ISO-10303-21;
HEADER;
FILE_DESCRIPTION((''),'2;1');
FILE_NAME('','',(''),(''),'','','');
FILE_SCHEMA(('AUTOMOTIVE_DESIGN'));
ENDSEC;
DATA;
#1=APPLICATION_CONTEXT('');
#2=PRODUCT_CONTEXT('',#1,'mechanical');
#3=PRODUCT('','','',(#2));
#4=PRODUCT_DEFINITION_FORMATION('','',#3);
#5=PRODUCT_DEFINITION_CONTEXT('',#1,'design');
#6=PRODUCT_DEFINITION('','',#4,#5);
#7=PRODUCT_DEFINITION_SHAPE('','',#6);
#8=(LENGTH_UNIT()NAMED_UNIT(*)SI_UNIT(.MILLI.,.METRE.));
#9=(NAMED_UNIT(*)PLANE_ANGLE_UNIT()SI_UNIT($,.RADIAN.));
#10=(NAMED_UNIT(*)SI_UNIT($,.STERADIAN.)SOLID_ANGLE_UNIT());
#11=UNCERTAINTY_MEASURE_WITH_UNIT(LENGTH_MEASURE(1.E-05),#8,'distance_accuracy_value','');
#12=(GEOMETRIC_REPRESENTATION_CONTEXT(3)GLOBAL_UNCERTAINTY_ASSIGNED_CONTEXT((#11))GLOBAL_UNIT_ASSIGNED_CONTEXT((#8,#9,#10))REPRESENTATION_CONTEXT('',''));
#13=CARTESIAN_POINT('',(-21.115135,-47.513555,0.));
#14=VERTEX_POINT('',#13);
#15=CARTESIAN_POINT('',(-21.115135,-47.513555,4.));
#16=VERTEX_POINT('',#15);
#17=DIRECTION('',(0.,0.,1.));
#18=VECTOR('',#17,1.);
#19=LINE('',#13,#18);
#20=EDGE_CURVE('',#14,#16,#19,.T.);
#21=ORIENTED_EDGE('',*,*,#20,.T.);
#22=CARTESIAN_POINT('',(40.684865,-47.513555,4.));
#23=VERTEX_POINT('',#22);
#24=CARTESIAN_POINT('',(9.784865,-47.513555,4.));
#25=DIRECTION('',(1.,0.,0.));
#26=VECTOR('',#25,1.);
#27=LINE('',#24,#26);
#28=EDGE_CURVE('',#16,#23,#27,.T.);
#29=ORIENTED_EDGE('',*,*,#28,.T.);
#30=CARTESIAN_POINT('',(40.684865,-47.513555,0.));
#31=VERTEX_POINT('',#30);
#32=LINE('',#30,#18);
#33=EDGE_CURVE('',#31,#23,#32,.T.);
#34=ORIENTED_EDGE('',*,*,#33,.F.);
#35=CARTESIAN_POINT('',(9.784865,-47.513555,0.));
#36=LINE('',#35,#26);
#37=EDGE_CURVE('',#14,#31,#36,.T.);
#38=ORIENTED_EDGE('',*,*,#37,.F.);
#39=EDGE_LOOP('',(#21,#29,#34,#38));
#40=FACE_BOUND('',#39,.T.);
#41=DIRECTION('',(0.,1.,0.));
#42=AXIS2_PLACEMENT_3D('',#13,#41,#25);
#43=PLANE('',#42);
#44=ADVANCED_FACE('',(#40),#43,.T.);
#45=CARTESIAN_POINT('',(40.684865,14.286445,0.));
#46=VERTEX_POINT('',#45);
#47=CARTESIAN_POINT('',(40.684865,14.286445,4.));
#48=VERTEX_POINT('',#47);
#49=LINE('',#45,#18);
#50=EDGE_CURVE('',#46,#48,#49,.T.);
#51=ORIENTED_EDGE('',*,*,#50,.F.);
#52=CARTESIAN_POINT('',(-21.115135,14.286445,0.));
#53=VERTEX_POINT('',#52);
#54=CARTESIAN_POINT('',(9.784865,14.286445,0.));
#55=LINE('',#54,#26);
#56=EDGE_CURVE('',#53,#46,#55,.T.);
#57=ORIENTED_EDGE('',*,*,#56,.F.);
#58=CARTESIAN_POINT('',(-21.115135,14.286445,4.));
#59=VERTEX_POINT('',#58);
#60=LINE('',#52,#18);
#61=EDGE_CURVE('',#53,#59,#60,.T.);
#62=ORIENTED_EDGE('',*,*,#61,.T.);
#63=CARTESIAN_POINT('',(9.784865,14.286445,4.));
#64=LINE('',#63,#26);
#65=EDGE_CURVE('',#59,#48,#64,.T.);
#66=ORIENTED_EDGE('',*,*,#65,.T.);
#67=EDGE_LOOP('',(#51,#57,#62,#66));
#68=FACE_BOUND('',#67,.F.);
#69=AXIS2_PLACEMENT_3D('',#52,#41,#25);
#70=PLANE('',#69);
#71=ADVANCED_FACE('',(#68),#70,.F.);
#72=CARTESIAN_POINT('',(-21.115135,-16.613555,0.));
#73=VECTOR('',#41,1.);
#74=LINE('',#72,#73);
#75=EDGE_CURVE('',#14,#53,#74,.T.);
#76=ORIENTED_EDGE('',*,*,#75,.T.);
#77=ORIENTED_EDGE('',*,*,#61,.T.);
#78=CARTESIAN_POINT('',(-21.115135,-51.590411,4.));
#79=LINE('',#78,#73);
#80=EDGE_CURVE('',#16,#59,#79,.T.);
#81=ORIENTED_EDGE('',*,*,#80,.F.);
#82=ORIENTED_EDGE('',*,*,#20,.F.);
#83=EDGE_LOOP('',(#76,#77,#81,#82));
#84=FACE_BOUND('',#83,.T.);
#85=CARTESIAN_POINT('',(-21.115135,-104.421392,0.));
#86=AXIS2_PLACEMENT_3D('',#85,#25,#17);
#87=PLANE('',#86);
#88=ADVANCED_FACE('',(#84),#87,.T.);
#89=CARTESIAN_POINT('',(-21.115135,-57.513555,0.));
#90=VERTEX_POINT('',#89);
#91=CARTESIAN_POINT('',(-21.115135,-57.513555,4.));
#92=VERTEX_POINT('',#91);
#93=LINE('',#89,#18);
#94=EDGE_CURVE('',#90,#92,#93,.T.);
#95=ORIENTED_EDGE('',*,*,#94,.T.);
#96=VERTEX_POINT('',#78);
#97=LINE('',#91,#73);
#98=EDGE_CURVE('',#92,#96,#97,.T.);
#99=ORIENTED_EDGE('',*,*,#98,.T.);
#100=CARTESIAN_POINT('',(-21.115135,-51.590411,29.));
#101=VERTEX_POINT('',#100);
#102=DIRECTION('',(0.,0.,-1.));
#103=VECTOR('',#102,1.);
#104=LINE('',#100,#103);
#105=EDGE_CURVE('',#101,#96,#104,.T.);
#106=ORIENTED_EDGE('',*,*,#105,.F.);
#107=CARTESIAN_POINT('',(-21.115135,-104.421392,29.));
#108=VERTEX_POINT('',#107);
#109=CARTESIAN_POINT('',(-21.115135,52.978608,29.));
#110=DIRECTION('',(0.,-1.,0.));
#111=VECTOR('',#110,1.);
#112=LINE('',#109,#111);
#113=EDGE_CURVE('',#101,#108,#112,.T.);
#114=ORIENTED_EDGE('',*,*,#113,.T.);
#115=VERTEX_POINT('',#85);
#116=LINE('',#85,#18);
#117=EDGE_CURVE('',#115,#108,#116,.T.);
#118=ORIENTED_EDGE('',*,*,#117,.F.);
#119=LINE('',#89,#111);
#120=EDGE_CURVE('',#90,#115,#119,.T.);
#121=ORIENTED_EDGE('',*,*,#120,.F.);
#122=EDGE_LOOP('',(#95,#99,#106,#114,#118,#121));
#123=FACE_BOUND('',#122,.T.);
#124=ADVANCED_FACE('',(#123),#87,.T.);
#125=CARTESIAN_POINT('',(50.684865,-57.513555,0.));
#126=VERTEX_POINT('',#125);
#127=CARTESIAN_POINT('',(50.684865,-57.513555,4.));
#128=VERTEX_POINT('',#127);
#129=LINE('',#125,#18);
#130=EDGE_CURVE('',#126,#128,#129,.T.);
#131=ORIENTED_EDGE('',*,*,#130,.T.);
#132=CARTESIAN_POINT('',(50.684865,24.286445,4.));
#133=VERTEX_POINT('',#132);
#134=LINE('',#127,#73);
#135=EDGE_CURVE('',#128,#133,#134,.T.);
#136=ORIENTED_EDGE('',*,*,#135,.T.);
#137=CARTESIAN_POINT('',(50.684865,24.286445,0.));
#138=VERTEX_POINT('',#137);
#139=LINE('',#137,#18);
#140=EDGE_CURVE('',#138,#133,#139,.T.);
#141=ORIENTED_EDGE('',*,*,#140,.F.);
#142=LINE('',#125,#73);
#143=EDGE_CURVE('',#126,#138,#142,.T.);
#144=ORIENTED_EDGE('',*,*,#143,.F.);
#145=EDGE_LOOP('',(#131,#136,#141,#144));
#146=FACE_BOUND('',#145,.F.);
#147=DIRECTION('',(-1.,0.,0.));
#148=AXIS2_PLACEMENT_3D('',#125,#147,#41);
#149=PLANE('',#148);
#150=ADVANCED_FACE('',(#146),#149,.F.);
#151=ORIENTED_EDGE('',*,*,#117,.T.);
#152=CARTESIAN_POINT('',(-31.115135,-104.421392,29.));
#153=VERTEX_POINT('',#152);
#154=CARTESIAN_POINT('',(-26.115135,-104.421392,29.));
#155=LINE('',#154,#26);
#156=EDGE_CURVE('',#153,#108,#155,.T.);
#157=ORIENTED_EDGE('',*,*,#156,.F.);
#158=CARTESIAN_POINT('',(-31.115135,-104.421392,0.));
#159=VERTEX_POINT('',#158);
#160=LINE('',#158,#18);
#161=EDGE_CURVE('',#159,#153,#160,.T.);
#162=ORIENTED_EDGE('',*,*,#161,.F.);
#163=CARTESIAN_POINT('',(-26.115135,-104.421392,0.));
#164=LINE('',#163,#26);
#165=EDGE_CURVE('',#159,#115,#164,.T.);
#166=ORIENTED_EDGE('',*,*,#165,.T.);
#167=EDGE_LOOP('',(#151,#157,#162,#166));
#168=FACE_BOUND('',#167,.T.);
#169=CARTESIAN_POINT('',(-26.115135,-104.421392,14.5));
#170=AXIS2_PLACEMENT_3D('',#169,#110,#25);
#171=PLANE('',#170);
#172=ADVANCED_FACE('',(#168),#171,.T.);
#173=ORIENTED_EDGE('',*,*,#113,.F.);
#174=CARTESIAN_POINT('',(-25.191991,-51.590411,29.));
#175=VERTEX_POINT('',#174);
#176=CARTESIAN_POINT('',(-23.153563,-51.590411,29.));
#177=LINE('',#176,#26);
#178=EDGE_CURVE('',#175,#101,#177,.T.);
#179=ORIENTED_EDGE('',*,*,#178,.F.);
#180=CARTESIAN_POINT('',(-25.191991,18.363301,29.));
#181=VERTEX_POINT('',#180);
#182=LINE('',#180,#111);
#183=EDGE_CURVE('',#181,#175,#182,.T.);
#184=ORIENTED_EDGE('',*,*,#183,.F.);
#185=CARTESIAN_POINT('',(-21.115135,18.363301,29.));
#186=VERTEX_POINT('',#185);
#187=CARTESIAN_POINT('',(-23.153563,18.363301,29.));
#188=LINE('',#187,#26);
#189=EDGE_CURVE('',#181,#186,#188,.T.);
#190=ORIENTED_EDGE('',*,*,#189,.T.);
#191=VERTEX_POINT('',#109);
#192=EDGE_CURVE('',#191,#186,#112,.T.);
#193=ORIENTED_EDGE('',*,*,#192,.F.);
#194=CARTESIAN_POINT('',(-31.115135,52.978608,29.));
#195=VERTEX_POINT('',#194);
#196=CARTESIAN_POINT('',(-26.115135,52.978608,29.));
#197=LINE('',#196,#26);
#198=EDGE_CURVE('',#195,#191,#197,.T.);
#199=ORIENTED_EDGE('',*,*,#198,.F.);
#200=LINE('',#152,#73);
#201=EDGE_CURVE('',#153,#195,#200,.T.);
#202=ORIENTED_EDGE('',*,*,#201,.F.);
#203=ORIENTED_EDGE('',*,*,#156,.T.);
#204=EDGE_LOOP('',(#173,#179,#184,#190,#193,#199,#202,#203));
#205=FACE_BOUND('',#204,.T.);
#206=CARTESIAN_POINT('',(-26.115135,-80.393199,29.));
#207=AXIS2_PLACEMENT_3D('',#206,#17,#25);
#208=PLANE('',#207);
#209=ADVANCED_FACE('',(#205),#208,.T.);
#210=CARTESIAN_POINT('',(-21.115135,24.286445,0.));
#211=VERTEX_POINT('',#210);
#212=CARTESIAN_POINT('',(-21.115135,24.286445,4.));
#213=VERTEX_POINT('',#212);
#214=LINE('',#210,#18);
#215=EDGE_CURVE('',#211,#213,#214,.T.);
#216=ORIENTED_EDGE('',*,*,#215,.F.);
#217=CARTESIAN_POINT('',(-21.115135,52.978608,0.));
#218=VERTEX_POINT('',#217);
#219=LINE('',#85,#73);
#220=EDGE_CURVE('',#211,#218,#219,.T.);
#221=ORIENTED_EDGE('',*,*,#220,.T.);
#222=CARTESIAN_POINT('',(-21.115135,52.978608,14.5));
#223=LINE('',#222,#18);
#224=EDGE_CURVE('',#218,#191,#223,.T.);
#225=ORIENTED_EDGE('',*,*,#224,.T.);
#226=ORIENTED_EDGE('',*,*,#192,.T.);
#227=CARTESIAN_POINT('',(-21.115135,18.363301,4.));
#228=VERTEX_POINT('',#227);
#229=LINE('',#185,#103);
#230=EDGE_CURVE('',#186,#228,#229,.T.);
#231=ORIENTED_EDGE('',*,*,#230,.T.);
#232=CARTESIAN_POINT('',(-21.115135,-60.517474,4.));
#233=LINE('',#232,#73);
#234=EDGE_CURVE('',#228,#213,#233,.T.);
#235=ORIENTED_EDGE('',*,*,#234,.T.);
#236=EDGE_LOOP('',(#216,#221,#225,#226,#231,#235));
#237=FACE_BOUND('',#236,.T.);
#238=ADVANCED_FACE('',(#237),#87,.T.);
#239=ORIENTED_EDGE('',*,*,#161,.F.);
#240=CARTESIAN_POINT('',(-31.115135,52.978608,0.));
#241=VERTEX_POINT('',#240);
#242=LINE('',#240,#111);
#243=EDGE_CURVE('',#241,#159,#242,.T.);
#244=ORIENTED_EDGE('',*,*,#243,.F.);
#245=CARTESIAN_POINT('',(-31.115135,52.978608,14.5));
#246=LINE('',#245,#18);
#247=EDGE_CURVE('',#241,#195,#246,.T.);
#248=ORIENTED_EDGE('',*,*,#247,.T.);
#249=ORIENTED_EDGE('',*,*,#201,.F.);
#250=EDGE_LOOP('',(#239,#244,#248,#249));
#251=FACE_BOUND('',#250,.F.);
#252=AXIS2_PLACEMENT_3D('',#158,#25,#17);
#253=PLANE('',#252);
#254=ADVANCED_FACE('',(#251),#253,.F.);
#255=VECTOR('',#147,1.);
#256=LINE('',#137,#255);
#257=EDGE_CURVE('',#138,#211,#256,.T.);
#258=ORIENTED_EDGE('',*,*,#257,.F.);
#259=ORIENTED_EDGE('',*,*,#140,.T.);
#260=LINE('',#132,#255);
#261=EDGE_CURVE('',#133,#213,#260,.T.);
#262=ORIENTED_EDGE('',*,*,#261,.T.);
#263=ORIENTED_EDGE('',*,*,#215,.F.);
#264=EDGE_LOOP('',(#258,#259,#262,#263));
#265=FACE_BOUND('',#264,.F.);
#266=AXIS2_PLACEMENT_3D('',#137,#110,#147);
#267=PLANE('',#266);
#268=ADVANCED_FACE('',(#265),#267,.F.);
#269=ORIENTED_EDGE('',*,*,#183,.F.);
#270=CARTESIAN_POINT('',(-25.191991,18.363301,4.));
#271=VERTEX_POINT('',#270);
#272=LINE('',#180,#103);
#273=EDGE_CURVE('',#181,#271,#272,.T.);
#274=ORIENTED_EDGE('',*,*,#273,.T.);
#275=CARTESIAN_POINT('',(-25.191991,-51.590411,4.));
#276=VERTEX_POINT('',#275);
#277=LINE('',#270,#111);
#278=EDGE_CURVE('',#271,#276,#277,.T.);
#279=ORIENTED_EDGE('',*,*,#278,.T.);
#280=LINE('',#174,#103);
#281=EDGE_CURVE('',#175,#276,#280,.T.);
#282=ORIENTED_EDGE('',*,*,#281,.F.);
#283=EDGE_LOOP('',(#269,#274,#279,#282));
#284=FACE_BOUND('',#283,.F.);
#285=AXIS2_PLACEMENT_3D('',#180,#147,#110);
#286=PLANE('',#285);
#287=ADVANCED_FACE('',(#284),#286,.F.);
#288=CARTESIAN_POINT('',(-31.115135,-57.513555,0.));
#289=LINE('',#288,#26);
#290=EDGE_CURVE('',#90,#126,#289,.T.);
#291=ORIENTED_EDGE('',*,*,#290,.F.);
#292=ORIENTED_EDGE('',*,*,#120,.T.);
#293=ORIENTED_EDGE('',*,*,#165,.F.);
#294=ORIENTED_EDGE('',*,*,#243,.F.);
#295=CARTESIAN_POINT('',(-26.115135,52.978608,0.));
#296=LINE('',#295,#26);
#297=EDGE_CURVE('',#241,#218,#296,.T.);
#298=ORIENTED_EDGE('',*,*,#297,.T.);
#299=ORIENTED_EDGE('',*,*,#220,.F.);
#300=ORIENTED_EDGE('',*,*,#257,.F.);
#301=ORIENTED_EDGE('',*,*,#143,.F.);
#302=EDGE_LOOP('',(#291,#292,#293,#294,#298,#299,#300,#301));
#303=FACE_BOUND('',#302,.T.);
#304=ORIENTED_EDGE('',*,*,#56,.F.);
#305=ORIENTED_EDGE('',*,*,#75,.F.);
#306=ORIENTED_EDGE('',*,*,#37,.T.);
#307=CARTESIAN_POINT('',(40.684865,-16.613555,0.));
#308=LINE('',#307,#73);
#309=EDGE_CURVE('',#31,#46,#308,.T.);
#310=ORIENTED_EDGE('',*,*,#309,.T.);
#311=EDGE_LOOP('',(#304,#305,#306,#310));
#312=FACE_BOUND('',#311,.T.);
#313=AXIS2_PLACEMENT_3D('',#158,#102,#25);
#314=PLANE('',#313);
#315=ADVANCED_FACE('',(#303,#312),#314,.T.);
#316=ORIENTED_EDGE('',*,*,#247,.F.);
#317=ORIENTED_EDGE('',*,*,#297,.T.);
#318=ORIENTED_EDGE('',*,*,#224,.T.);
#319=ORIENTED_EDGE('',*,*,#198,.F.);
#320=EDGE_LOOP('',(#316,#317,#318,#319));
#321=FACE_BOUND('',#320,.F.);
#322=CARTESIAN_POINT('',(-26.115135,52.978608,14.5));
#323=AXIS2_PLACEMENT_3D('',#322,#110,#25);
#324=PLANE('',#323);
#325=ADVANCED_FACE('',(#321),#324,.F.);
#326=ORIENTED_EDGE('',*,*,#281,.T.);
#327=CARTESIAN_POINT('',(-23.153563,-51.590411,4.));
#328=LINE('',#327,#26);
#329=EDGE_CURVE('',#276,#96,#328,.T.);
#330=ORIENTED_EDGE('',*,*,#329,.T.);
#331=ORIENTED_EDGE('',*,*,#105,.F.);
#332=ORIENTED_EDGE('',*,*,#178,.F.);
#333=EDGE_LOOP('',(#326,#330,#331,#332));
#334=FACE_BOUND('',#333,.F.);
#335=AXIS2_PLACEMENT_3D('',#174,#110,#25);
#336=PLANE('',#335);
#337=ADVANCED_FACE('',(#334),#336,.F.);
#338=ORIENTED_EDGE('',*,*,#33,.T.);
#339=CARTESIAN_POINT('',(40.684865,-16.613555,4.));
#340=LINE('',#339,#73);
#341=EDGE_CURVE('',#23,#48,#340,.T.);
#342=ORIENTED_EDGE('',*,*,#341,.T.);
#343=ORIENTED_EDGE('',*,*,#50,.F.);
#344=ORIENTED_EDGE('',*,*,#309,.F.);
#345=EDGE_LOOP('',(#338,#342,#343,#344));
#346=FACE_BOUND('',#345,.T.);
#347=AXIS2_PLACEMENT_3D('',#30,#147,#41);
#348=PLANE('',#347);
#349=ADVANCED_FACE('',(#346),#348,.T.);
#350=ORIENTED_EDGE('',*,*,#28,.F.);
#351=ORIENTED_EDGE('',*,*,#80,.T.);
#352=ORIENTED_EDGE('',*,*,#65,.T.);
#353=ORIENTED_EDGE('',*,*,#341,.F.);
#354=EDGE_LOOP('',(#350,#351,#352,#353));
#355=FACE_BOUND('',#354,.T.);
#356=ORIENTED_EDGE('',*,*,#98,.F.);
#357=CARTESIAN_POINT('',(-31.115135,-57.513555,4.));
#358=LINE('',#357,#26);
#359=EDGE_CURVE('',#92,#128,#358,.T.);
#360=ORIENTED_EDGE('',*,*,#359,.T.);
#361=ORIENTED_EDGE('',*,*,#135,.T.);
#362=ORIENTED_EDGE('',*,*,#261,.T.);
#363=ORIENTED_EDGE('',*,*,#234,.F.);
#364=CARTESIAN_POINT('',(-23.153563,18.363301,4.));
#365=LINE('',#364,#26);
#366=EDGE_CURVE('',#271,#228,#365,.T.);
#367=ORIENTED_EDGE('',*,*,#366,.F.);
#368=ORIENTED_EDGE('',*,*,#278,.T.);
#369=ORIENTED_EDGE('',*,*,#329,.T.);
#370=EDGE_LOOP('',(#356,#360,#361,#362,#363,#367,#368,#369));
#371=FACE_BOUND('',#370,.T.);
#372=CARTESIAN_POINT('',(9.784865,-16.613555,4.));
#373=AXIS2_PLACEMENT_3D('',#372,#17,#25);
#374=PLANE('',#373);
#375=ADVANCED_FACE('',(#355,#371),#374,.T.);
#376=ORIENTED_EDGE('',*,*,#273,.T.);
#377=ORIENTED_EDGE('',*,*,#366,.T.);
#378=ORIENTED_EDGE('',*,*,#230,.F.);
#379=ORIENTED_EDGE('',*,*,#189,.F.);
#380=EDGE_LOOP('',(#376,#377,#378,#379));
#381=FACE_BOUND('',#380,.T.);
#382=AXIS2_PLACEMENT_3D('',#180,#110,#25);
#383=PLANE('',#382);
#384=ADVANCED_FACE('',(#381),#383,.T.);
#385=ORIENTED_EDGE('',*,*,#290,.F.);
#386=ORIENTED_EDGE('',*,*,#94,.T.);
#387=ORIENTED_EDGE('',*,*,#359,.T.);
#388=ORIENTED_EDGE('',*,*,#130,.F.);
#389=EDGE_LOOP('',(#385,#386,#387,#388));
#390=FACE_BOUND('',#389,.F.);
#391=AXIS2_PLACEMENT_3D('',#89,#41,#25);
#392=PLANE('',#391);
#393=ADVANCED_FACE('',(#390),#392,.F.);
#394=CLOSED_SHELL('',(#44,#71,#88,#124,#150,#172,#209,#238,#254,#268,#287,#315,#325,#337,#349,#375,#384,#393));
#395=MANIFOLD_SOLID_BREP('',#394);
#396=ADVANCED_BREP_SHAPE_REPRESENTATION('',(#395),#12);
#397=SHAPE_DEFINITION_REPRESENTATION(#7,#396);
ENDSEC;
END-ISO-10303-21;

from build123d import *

# Parameters (mm, degrees)
F1_W      = 61.8
F1_H      = 61.8
F1_W_2    = 10
F1_H_2    = 46.907837
F2_DEPTH  = 4
F3_W      = 10
F3_H      = 48.056386
F4_DEPTH  = 25
F4_FACE_W = 10
F4_FACE_H = 29
F5_DEPTH  = 157.4
F6_W      = 4.076856
F6_H      = 61.8
F6_H_2    = 4.076856
F7_DEPTH  = 25


with BuildPart() as f2:
    # F1 (on Top) → F2 (new body)
    with BuildSketch(Plane.XY):
        Polygon((50.684865, 24.286445), (-31.115135, 24.286445), (-31.115135, -57.513555), (-21.115135, -57.513555), (50.684865, -57.513555), align=None)
        with Locations((9.784865, -16.613555)):
            Rectangle(F1_W, F1_H, mode=Mode.SUBTRACT)
        with Locations((-26.115135, -80.967473)):
            Rectangle(F1_W_2, F1_H_2)
    extrude(amount=F2_DEPTH)

    # F3 (on face) → F4 (join)
    with BuildSketch(Plane.XY.offset(4)):
        with Locations((-26.115135, -80.393199)):
            Rectangle(F3_W, F3_H)
    extrude(amount=F4_DEPTH)

    # F4_face (on face) → F5 (join)
    with BuildSketch(Plane(origin=(-26.115135, -104.421392, 14.5), x_dir=(1, 0, 0), z_dir=(0, -1, 0))):
        Rectangle(F4_FACE_W, F4_FACE_H)
    extrude(amount=-F5_DEPTH)

    # F6 (on face) → F7 (cut)
    with BuildSketch(Plane.XY.offset(29)):
        with Locations((-23.153563, -16.613555)):
            Rectangle(F6_W, F6_H)
        with Locations((-23.153563, 16.324873)):
            Rectangle(F6_W, F6_H_2)
        with Locations((-23.153563, -49.551983)):
            Rectangle(F6_W, F6_H_2)
    extrude(amount=-F7_DEPTH, mode=Mode.SUBTRACT)


solid = f2.part
